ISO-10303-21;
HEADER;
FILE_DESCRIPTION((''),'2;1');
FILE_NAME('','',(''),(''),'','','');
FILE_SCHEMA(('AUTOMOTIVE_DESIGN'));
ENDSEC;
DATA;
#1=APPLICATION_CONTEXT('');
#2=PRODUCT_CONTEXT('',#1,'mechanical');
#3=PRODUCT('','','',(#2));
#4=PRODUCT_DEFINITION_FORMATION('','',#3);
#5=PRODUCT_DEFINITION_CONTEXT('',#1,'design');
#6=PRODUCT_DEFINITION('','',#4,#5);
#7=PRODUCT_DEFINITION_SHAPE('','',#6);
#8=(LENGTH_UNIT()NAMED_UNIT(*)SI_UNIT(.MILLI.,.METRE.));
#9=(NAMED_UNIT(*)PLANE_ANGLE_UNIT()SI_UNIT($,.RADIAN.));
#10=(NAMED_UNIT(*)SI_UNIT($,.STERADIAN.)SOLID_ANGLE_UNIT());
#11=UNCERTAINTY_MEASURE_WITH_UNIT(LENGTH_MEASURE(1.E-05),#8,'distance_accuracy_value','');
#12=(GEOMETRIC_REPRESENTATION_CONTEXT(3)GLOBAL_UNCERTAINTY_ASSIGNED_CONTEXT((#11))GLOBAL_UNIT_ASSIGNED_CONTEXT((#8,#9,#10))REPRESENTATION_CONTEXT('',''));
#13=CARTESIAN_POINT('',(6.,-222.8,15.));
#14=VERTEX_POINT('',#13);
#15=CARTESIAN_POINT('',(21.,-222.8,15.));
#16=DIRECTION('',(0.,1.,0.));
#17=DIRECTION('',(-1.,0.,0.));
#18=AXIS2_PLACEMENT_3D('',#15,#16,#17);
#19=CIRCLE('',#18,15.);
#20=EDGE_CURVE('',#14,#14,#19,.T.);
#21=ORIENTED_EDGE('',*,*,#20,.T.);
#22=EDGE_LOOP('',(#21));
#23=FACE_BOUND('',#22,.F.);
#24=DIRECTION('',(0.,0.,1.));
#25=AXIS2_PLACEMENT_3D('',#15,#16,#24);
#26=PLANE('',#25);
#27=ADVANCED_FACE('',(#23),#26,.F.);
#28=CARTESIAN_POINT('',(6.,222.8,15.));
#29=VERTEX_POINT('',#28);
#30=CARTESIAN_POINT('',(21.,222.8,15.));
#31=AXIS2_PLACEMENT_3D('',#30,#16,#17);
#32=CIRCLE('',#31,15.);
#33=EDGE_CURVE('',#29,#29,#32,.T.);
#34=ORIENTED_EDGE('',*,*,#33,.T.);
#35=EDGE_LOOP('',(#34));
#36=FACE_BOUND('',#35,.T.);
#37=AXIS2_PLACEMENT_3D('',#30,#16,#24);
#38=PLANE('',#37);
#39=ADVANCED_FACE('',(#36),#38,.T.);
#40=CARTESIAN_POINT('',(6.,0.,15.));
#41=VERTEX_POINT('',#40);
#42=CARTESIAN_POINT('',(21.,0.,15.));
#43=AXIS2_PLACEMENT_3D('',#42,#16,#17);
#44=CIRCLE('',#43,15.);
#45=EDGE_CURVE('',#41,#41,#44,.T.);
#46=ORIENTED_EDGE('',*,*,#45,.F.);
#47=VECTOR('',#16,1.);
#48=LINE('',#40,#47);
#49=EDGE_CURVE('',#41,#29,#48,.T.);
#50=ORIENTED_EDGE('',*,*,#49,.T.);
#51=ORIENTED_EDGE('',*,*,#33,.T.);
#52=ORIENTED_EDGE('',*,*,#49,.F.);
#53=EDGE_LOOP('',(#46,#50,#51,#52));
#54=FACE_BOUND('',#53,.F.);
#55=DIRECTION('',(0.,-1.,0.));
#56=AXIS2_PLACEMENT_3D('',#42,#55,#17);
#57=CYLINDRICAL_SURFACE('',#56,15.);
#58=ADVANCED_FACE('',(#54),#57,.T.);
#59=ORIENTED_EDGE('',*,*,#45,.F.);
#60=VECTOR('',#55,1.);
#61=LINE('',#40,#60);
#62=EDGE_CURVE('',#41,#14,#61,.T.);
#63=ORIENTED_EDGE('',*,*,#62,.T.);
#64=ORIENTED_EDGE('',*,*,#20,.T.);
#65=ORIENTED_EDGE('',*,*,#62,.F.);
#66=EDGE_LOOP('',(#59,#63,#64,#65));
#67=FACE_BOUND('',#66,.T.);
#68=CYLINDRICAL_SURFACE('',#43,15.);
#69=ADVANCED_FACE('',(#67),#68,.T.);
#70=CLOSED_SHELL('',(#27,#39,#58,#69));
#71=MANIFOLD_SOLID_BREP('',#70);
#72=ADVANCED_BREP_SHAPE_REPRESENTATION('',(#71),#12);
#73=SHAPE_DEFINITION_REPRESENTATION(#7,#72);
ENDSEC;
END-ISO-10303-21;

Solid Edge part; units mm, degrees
sketch "Sketch1" plane through (0, 0, 0) normal (0, 1, 0) x (-1, 0, 0)
  circle A0 centre (-21, 15) radius 15
extrude "Protrusion1" add sketch "Sketch1" along normal mid plane 445.6
